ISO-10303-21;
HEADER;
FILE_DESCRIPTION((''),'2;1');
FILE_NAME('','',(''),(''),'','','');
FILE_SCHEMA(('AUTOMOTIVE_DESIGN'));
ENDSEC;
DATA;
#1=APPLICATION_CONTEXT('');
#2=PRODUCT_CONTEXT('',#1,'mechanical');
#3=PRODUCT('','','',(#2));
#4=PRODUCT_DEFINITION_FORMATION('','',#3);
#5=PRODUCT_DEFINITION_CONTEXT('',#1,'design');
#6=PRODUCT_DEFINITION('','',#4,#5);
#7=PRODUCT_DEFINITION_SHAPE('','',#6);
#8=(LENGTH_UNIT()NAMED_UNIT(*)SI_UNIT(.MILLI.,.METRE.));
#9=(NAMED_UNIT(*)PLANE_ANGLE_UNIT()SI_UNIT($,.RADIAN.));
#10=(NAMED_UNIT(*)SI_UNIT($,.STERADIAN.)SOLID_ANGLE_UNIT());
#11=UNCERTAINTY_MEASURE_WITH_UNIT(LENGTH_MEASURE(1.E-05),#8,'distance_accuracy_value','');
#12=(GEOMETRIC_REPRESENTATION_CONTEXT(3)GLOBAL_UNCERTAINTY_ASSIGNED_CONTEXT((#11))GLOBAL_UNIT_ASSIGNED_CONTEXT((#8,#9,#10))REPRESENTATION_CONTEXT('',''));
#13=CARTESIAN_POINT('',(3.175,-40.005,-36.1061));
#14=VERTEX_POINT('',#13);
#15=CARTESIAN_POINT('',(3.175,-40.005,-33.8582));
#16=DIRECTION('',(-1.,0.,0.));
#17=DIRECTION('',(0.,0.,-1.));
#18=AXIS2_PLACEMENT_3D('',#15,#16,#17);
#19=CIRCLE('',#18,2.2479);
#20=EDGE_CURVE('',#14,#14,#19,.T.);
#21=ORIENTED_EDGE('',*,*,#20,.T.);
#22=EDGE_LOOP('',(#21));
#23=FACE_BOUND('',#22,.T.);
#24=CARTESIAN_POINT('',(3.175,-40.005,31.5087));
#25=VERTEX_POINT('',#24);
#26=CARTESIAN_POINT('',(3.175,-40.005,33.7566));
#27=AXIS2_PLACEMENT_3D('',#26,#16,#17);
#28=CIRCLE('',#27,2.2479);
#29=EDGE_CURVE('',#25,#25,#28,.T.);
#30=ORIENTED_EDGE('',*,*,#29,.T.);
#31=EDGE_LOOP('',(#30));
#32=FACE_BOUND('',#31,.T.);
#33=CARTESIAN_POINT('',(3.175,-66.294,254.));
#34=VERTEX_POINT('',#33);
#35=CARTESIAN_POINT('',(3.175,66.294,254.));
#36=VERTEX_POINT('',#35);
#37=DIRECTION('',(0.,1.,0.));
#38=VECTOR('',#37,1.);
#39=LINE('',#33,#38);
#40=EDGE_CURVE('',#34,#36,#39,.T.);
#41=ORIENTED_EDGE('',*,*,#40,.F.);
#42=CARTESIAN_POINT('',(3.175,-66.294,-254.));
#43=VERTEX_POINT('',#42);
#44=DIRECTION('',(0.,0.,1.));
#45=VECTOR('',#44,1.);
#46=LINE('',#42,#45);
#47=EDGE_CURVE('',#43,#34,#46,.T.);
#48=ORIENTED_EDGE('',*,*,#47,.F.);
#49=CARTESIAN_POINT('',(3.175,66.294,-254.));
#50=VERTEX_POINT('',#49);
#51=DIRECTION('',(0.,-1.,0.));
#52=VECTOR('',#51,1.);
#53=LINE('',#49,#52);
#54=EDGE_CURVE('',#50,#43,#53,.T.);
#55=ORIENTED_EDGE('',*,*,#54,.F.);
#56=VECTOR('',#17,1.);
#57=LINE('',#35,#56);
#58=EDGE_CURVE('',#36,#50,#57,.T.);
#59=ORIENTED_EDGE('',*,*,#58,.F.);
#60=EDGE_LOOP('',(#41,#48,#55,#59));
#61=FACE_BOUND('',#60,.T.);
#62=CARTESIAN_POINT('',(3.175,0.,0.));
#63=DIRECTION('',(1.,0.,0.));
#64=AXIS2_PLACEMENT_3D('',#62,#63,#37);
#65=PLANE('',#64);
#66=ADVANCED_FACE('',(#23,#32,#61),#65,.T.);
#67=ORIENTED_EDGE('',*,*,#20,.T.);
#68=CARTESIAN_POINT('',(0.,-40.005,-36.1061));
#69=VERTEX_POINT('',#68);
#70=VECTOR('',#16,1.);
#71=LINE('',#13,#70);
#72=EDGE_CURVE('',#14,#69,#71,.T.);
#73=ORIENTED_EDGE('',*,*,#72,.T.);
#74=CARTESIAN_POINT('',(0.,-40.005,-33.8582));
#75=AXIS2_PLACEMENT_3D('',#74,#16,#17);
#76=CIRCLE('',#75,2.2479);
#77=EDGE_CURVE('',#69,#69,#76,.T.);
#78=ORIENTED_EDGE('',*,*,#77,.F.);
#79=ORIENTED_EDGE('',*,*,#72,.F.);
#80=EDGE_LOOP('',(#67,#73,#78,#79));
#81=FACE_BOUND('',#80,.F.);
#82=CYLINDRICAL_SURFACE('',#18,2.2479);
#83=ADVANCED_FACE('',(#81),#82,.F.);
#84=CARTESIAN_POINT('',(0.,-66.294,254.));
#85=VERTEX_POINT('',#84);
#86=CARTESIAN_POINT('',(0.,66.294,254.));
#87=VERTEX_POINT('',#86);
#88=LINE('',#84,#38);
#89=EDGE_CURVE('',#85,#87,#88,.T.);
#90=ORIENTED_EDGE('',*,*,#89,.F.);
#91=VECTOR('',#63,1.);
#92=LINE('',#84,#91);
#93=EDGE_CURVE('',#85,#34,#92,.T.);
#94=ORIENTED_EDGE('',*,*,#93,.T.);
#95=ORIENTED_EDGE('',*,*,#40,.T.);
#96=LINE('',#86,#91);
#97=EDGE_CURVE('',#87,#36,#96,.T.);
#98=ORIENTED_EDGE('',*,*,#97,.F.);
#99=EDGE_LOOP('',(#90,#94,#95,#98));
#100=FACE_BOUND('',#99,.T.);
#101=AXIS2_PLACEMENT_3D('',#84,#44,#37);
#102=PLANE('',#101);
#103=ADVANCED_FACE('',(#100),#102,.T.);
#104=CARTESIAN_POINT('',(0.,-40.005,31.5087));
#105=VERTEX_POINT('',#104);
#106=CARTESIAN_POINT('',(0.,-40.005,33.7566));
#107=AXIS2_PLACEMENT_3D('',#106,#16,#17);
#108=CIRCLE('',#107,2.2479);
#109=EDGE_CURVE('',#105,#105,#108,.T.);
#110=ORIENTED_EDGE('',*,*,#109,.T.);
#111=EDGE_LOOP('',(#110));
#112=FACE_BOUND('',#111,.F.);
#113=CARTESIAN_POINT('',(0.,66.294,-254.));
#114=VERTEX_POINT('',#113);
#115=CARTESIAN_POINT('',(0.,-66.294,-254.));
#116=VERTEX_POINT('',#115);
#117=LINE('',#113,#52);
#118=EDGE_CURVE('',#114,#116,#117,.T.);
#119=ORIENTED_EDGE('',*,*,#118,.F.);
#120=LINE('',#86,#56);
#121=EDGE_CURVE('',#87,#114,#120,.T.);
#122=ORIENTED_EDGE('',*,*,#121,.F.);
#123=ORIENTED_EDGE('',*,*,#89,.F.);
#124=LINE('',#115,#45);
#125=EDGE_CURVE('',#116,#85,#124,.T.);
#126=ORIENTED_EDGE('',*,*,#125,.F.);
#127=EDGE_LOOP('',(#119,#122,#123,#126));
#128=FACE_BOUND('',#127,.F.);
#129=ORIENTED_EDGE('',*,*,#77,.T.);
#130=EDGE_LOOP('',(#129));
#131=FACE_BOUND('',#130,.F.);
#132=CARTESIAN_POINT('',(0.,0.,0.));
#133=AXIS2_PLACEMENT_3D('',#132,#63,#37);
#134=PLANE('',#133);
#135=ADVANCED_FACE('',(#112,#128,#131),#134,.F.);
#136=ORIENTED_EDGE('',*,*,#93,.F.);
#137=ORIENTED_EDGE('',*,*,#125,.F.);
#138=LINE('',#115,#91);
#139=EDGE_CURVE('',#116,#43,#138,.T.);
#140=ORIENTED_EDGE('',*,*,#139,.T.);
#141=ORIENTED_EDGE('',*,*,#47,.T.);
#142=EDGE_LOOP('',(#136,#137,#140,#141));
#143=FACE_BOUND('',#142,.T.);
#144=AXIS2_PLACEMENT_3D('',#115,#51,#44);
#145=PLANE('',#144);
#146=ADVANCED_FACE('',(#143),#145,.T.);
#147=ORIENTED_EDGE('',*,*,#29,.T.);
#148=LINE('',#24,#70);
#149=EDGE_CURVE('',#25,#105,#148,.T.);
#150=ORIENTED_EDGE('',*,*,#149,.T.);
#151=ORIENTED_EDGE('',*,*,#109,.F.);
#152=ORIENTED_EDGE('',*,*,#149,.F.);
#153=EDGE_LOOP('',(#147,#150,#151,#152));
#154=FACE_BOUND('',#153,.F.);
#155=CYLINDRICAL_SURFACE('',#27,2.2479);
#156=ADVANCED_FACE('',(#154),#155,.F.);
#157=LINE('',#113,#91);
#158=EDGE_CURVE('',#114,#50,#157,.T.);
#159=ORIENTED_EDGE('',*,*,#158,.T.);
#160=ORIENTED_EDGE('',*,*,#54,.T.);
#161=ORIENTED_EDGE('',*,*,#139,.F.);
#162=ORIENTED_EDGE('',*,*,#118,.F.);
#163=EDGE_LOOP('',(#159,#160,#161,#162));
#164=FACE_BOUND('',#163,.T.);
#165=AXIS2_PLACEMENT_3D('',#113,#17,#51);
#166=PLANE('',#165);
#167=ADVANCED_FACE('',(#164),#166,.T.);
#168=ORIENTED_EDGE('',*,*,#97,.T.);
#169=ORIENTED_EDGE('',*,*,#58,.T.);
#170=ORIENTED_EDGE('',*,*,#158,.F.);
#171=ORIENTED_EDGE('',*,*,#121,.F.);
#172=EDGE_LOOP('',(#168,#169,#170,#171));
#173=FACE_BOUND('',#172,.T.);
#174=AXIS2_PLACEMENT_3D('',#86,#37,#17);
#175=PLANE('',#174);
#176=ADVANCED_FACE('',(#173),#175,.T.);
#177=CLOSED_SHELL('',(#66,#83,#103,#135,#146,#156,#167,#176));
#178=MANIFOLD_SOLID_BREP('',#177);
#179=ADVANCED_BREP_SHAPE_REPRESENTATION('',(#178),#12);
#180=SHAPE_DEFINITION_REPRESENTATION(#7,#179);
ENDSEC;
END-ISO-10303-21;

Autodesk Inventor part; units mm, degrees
ref_plane "YZ Plane" through (0, 0, 0) normal (1, 0, 0) x (0, 1, 0)
ref_plane "XZ Plane" through (0, 0, 0) normal (0, 1, 0) x (-1, 0, 0)
ref_plane "XY Plane" through (0, 0, 0) normal (0, 0, 1) x (1, 0, 0)
sketch "Sketch1" plane through (0, 0, 0) normal (1, 0, 0) x (0, 1, 0)
  line L0 (-66.294, 254) -> (66.294, 254)
  line L1 (66.294, 254) -> (66.294, -254)
  line L2 (66.294, -254) -> (-66.294, -254)
  line L3 (-66.294, -254) -> (-66.294, 254)
  line L4 (-66.294, 254) -> (66.294, -254) construction
  line L5 (66.294, 254) -> (-66.294, -254) construction
  point P0 (0, 0)
  dimension "d0" = 508
  dimension "d1" = 132.588
extrude "Extrusion1" add sketch "Sketch1" along normal blind 3.175
sketch "Sketch2" plane through (3.175, 0, 0) normal (1, 0, 0) x (0, 0, -1)
  line L0 (-67.5894, -66.294) -> (67.691, -66.294) construction
  line L1 (67.691, -66.294) -> (67.691, -22.098) construction
  line L2 (67.691, -22.098) -> (-67.5894, -22.098) construction
  line L3 (-67.5894, -22.098) -> (-67.5894, -66.294) construction
  line L4 (-67.5894, -66.294) -> (67.691, -22.098) construction
  line L5 (67.691, -66.294) -> (-67.5894, -22.098) construction
  line L6 (254, -66.294) -> (254, 66.294) construction
  line L7 (-254, -66.294) -> (254, -66.294) construction
  point P0 (0, 0)
  point P1 (0.0508, -44.196)
  point P2 (10.6003, -66.294)
  dimension "d4" = 135.2804
  dimension "d5" = 44.196
  dimension "d6" = 186.309
sketch "Sketch3" plane through (3.175, 0, 0) normal (1, 0, 0) x (0, 0, -1)
  line L0 (-33.7566, -40.005) -> (33.8582, -40.005) construction
  line L1 (-254, -66.294) -> (254, -66.294) construction
  line L2 (67.691, -66.294) -> (67.691, -22.098) construction
  line L3 (-67.5894, -22.098) -> (-67.5894, -66.294) construction
  point P0 (0, 0)
  dimension "d7" = 26.289
  dimension "d17" = 33.8328
  dimension "d18" = 33.8328
hole "Hole1" at (3.175, -40.005, 33.7566) at (3.175, -40.005, -33.8582) direction (-1, 0, 0) diameter 4.4958 end through all clearance for "Countersunk Flat Head Screw ISO 2009/7046" size "M4" standard "ISO"
properties part number "nmt_sidepanel_20in"
